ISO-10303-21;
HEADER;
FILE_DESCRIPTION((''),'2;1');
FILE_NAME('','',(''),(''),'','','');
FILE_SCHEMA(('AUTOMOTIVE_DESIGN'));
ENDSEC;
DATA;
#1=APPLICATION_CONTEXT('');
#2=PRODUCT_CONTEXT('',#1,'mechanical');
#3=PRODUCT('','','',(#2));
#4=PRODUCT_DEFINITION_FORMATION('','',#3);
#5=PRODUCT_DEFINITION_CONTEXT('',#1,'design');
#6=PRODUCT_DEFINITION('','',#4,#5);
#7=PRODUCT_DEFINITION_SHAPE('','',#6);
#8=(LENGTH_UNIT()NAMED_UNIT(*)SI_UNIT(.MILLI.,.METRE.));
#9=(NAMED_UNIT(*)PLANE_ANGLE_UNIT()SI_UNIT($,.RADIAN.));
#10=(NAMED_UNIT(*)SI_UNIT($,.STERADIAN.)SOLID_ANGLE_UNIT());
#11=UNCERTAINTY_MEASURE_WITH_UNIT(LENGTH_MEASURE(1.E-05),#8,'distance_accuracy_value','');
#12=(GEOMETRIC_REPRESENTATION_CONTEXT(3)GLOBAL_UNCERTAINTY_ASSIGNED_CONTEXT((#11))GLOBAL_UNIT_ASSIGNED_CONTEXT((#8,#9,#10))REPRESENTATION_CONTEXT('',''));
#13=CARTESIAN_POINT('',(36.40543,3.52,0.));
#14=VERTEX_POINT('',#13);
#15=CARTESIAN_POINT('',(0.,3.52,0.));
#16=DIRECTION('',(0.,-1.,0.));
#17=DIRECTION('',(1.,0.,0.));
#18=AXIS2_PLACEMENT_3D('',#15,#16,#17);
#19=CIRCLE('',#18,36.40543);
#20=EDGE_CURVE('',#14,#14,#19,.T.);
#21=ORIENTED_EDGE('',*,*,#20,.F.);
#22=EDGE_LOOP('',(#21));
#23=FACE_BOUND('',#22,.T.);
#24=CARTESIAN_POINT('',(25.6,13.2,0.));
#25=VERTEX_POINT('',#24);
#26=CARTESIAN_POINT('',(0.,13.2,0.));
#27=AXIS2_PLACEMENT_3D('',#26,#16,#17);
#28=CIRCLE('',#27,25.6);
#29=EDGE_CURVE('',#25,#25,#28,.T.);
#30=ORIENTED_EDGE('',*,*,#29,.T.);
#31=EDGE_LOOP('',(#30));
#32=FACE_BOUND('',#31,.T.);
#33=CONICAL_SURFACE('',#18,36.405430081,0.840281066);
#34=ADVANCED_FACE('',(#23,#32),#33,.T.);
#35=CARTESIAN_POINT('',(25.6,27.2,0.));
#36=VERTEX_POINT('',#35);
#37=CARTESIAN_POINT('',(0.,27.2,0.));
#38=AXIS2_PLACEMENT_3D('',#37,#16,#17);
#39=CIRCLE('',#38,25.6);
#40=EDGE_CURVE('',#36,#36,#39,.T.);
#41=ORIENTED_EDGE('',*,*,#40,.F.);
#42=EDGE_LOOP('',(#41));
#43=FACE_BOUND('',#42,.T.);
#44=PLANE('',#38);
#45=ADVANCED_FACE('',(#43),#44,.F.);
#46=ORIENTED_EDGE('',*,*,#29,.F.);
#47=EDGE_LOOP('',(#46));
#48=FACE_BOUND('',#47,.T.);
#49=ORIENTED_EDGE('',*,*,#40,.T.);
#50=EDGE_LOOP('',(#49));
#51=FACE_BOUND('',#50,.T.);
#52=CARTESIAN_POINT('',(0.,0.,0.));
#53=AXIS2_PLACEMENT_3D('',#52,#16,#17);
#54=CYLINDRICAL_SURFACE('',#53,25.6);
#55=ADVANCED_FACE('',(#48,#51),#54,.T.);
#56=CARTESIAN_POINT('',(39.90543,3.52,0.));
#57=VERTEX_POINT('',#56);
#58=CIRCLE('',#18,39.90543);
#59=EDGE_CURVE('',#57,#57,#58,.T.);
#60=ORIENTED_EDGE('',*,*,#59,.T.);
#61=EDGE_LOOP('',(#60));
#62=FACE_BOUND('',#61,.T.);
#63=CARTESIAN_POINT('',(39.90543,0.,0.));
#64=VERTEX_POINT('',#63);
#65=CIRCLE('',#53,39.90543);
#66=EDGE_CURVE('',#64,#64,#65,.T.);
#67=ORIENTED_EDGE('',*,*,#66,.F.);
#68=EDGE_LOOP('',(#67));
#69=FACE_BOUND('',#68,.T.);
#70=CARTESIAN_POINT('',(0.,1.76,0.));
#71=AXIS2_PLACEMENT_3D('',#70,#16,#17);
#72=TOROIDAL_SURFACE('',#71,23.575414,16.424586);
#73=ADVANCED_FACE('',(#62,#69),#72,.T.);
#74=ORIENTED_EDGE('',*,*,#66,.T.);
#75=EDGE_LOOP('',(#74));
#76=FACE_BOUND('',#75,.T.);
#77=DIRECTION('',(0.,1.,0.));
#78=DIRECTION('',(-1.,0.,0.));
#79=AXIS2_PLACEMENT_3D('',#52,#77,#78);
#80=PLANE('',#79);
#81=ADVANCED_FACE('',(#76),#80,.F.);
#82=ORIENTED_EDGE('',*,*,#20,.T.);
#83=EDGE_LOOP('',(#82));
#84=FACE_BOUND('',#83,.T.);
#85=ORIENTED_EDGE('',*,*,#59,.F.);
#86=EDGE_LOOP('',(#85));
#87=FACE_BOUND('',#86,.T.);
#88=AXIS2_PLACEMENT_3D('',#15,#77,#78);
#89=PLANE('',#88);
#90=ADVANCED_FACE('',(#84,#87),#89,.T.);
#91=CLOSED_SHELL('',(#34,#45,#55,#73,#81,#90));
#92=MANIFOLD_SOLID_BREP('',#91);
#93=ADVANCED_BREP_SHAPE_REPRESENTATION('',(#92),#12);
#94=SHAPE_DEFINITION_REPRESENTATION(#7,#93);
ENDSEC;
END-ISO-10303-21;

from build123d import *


with BuildPart() as part:
    # Esquisse1 → Révolution2 (revolve)
    with BuildSketch(Plane.XY):
        with BuildLine():
            Line((0, 27.2), (0, 21.409433365))
            Line((0, 21.409433365), (0, 0))
            Line((0, 0), (39.905430081, 0))
            ThreePointArc((39.905430081, 0), (40, 1.76), (39.905430081, 3.52))
            Line((39.905430081, 3.52), (36.405430081, 3.52))
            Line((36.405430081, 3.52), (25.6, 13.2))
            Line((25.6, 13.2), (25.6, 27.2))
            Line((25.6, 27.2), (0, 27.2))
        make_face()
    revolve(axis=Axis((0, 0, 0), (0, 1, 0)))


solid = part.part
